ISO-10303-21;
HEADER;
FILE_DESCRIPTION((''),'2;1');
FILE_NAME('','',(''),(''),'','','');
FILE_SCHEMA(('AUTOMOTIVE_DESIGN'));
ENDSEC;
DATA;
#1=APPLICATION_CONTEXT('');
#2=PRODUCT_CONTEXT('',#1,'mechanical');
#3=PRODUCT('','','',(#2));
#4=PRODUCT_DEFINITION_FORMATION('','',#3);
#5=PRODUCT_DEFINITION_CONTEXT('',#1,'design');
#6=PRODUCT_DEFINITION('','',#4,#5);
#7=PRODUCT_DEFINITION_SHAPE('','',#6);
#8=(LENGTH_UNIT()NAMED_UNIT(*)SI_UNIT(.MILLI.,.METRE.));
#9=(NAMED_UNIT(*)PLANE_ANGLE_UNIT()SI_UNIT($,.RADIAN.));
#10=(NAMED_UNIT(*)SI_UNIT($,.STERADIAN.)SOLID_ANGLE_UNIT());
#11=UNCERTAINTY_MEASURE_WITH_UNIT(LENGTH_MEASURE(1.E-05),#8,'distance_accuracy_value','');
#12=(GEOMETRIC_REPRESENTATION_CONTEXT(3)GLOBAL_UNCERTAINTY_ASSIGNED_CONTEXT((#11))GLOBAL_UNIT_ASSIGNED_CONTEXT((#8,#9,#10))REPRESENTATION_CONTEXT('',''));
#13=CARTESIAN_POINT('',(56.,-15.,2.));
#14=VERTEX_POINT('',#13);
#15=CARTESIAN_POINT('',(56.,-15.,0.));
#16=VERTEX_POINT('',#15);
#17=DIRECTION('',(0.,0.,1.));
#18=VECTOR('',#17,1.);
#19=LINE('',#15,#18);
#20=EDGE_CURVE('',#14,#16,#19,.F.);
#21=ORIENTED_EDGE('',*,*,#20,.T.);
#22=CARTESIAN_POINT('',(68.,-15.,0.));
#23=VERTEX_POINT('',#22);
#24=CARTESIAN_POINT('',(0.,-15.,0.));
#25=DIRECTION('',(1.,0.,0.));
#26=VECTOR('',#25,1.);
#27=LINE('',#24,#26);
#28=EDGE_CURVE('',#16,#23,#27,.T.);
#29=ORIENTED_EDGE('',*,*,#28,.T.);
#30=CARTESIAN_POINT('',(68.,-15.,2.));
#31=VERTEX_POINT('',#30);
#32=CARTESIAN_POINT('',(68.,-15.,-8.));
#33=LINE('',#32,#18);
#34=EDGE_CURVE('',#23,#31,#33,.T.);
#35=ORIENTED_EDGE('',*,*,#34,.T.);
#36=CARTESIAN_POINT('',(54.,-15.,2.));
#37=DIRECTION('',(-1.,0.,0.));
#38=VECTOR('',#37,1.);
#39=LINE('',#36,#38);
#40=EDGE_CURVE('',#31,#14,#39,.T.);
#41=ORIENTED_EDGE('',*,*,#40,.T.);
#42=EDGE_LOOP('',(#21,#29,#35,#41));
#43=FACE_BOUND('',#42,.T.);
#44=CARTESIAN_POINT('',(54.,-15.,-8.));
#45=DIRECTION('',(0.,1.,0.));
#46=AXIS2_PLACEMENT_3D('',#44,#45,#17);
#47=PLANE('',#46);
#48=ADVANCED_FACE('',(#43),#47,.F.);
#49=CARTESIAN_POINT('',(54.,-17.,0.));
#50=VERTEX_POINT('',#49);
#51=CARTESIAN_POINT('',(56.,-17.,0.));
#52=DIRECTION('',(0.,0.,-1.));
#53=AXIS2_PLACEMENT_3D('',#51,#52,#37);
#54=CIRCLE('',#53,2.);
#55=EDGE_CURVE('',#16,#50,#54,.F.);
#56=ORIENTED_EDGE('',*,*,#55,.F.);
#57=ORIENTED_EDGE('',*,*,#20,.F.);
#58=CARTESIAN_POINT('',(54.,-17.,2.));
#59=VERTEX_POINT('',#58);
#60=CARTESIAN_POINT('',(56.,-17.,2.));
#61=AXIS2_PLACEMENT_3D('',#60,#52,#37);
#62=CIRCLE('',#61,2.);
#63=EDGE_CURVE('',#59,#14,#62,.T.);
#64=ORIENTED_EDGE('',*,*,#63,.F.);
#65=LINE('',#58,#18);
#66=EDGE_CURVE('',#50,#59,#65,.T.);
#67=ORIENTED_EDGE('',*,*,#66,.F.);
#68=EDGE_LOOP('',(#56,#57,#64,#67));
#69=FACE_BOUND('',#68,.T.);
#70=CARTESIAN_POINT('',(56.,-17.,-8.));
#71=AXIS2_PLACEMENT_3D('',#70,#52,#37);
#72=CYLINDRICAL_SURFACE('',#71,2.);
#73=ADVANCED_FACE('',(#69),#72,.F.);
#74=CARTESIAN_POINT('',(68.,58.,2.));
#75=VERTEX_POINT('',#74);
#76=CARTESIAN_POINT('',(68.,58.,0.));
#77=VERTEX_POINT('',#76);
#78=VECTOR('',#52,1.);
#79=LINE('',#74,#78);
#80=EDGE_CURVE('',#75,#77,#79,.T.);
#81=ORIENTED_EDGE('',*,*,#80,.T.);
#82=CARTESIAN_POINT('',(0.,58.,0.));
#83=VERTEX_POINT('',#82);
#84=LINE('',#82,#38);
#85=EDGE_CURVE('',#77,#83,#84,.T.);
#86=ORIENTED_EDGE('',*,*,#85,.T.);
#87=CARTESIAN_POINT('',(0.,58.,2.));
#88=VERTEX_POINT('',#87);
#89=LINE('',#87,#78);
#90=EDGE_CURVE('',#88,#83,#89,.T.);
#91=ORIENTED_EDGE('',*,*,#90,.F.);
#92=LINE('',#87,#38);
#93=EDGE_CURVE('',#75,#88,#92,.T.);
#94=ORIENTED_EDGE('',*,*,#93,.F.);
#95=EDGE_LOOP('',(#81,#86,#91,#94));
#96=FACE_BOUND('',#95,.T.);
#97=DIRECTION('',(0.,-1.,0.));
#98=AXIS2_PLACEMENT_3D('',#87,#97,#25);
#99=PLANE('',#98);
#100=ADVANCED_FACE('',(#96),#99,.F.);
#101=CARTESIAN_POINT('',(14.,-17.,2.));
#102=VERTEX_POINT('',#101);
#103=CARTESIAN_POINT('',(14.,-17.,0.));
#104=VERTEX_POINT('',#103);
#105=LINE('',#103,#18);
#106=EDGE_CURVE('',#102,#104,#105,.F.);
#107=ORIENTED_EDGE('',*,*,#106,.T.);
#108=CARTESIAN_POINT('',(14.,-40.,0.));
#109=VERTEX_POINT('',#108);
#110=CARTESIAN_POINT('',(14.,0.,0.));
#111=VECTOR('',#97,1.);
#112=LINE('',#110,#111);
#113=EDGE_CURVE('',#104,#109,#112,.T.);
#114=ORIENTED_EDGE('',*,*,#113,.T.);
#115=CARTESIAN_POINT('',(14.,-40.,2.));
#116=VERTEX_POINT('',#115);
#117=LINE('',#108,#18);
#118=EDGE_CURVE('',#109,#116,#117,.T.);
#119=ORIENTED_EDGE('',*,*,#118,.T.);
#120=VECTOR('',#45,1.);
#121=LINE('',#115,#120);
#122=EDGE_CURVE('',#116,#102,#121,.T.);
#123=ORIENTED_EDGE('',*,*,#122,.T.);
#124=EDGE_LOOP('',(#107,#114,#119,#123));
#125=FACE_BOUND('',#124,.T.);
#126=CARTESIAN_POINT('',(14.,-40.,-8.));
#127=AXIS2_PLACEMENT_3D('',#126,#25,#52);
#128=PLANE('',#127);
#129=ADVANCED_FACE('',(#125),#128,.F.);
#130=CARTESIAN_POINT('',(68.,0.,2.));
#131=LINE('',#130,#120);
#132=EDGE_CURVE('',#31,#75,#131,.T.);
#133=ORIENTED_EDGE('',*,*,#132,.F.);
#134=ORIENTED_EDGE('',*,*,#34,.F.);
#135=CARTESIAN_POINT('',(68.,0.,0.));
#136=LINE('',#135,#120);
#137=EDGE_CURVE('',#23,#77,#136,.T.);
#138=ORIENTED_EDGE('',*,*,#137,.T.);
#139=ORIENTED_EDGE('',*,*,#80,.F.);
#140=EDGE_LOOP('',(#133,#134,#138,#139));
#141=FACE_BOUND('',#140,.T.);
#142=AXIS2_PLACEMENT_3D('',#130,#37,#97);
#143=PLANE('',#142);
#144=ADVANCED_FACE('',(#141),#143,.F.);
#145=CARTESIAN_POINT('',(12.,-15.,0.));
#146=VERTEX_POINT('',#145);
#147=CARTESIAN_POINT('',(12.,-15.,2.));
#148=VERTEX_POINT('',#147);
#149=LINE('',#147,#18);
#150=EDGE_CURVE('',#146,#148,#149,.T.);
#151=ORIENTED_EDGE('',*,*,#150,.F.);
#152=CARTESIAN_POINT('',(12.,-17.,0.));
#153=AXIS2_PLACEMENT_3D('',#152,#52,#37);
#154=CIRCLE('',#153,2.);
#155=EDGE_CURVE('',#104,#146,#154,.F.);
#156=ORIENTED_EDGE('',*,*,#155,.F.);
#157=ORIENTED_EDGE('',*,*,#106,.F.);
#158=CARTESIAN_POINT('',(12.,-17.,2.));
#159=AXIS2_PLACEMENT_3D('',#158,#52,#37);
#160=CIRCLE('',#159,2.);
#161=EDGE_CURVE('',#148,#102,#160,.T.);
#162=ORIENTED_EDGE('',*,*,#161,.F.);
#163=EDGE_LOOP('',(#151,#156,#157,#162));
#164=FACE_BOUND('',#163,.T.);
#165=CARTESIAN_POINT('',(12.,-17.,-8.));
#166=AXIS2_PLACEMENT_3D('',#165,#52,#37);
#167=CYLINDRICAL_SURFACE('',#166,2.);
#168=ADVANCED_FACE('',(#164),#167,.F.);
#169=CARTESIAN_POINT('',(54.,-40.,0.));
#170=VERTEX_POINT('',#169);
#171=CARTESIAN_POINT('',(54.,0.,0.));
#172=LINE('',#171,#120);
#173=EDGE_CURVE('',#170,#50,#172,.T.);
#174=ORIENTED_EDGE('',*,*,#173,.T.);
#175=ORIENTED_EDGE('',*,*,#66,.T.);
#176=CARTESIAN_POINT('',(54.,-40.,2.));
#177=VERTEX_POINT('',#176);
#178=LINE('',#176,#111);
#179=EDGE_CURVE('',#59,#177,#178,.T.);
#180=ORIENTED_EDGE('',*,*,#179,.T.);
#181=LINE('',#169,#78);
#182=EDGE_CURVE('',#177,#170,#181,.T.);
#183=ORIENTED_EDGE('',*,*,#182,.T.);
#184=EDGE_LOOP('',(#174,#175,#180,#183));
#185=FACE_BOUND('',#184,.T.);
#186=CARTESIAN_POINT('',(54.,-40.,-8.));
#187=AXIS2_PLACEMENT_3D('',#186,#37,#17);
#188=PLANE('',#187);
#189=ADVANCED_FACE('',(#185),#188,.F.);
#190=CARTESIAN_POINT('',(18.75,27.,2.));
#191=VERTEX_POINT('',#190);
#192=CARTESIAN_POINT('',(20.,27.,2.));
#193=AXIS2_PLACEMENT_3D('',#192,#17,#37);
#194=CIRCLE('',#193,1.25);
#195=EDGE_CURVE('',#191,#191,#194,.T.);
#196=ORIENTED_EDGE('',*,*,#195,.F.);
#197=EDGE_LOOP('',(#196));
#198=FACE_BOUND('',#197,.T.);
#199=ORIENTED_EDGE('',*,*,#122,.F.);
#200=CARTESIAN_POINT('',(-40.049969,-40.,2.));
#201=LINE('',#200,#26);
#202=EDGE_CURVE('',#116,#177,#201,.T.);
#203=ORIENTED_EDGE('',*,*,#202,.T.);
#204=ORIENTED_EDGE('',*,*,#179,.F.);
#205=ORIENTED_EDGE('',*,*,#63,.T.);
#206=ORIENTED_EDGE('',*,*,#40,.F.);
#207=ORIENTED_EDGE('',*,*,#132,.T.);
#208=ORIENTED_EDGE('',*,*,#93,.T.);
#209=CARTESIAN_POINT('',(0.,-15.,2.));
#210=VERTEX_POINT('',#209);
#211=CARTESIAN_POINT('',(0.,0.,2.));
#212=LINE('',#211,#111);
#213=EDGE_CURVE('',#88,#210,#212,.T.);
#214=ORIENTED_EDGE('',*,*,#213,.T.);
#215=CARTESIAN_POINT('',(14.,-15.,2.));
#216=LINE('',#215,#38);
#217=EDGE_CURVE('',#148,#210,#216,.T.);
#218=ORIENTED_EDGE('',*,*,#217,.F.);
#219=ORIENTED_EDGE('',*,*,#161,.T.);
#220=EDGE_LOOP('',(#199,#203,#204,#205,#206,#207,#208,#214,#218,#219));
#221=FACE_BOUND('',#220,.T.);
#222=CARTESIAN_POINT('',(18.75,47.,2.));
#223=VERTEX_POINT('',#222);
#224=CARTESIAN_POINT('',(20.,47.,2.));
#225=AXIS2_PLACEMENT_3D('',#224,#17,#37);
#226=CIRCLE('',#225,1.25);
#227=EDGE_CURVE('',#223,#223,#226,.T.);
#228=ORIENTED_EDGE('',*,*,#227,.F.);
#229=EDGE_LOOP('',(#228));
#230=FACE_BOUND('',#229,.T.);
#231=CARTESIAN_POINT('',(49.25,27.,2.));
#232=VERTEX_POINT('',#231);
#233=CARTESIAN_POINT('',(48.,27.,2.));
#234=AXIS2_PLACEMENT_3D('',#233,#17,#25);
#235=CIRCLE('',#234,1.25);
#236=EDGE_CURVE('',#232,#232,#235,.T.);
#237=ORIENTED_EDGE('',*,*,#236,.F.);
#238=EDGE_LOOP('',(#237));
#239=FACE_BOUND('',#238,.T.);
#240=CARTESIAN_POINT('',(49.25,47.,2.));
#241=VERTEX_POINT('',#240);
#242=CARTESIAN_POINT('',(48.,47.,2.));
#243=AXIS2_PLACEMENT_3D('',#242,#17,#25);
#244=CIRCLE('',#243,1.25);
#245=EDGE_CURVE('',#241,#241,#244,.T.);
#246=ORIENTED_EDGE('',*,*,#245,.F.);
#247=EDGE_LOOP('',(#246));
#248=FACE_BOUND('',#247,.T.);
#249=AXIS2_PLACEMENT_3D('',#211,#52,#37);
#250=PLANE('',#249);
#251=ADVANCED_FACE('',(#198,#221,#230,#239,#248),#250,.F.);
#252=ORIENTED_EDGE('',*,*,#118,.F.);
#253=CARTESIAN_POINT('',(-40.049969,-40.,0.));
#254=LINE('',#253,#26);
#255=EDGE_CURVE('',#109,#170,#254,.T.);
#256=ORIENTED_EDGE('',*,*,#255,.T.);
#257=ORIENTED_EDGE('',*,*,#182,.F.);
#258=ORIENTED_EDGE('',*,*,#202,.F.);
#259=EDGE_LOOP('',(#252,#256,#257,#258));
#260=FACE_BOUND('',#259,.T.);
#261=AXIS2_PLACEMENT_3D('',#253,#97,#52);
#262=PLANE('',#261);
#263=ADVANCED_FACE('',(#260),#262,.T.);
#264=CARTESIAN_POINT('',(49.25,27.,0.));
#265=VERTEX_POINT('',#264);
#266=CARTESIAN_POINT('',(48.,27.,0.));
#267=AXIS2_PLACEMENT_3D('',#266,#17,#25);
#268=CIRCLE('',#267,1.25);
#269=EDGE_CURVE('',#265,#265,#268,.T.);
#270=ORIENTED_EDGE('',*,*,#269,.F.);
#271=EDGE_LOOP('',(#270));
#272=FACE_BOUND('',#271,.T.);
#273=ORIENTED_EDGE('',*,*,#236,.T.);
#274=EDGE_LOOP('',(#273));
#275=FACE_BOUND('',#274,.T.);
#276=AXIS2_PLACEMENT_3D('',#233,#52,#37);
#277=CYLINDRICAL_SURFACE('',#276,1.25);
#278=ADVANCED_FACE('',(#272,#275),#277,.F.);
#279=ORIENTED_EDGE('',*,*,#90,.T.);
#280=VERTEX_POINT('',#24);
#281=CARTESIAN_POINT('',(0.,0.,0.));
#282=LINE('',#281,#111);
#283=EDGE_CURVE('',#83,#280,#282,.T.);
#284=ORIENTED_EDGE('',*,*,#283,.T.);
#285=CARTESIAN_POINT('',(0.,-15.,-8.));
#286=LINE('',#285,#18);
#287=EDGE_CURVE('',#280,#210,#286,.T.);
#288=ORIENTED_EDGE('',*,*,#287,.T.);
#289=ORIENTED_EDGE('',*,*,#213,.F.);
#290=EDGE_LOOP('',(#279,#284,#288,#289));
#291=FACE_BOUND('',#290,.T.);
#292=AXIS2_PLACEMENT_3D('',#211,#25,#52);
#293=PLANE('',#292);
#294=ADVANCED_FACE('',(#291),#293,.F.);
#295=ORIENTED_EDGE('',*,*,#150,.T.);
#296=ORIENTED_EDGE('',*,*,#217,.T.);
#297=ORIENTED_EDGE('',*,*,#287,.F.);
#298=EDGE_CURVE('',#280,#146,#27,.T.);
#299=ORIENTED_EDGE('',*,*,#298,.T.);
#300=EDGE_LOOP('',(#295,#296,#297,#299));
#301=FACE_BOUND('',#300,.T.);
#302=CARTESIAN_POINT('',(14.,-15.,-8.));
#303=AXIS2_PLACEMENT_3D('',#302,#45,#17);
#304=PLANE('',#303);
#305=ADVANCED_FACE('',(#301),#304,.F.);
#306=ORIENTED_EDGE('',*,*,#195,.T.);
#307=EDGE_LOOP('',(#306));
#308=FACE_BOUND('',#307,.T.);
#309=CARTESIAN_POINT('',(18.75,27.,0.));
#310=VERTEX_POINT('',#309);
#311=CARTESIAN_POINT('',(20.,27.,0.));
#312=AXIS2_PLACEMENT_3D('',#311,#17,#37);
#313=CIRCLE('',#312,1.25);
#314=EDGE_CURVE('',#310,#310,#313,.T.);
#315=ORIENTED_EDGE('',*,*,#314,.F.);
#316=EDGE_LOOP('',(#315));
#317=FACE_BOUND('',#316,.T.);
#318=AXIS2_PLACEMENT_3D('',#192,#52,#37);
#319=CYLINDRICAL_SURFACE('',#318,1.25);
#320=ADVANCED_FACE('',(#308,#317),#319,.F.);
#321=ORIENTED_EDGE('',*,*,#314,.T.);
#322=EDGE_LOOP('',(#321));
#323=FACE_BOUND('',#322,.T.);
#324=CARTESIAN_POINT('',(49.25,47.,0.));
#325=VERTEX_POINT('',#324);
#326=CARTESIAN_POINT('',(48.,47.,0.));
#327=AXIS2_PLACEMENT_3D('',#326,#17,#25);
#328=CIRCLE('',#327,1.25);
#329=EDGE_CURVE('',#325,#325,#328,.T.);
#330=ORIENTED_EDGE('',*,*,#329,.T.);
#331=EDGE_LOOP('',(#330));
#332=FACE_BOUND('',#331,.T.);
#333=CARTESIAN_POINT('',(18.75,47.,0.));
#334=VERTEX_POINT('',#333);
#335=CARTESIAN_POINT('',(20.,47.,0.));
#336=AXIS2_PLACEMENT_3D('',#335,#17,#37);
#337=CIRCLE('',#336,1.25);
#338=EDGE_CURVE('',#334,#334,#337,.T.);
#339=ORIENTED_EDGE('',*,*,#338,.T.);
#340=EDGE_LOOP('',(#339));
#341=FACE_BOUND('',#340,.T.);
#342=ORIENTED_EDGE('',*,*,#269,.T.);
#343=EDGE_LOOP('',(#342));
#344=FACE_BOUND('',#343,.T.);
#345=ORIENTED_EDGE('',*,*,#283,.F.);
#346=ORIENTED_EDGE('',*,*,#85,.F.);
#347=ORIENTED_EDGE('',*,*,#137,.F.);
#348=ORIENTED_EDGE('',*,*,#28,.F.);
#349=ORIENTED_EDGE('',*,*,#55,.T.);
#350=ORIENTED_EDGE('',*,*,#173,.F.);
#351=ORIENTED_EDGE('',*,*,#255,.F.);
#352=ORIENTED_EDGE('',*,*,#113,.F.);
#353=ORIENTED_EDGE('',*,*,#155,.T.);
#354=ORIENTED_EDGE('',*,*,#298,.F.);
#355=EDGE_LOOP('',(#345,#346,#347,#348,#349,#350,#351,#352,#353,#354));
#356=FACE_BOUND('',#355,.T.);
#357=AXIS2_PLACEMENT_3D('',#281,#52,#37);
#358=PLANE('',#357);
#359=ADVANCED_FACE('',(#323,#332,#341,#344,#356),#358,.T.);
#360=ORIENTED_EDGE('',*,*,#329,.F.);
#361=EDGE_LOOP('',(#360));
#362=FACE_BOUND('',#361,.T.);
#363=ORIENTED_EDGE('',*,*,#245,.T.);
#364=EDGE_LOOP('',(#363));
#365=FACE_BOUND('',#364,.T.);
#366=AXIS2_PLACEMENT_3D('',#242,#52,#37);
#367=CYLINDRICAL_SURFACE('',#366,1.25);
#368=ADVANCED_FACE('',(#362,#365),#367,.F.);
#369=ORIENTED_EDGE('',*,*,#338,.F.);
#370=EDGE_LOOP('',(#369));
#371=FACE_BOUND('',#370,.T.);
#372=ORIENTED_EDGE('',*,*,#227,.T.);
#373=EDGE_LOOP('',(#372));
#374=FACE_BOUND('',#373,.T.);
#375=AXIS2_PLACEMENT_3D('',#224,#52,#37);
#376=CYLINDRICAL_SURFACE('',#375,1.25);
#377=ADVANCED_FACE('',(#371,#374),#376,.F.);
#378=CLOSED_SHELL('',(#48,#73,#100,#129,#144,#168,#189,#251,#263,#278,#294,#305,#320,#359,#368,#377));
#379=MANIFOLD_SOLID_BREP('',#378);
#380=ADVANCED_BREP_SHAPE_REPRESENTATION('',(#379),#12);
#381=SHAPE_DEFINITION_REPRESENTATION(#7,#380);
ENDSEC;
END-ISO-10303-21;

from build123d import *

# Parameters (mm, degrees)
SKETCH_1_W          = 68
SKETCH_1_H          = 58
SKETCH_1_R          = 1.25
EXTRUDE_1_DEPTH     = 2
SKETCH_2_W          = 2
SKETCH_2_H          = 40
EXTRUDE_2_DEPTH     = 68
SKETCH_3_W          = 14
SKETCH_3_H          = 25
CUT_EXTRUDE_1_DEPTH = 10
FILLET_1_R          = 2


with BuildPart() as part:
    # 草图1 → 凸台-拉伸1 (new body)
    with BuildSketch(Plane.XY):
        with Locations((34, 29)):
            Rectangle(SKETCH_1_W, SKETCH_1_H)
        with Locations((48, 27)):
            Circle(SKETCH_1_R, mode=Mode.SUBTRACT)
        with Locations(Location((20, 27, 0), (0, 0, 180))):
            Circle(SKETCH_1_R, mode=Mode.SUBTRACT)
        with Locations((48, 47)):
            Circle(SKETCH_1_R, mode=Mode.SUBTRACT)
        with Locations(Location((20, 47, 0), (0, 0, 180))):
            Circle(SKETCH_1_R, mode=Mode.SUBTRACT)
    extrude(amount=EXTRUDE_1_DEPTH)

    # 草图2 → 凸台-拉伸2 (add)
    with BuildSketch(Plane(origin=(68, 0, 0), x_dir=(0, 0, -1), z_dir=(1, 0, 0))):
        with Locations((-1, -20)):
            Rectangle(SKETCH_2_W, SKETCH_2_H)
    extrude(amount=-EXTRUDE_2_DEPTH)

    # 草图3 → 切除-拉伸1 (cut)
    with BuildSketch(Plane.XY.offset(2)):
        with Locations((61, -27.5)):
            Rectangle(SKETCH_3_W, SKETCH_3_H)
        with Locations((7, -27.5)):
            Rectangle(SKETCH_3_W, SKETCH_3_H)
    extrude(amount=-CUT_EXTRUDE_1_DEPTH, mode=Mode.SUBTRACT)

    # 圆角1
    fillet_1_edges = [part.edges().sort_by_distance(p)[0] for p in [
        (54, -15, 1),
        (14, -15, 1),
    ]]
    fillet(fillet_1_edges, radius=FILLET_1_R)


solid = part.part
